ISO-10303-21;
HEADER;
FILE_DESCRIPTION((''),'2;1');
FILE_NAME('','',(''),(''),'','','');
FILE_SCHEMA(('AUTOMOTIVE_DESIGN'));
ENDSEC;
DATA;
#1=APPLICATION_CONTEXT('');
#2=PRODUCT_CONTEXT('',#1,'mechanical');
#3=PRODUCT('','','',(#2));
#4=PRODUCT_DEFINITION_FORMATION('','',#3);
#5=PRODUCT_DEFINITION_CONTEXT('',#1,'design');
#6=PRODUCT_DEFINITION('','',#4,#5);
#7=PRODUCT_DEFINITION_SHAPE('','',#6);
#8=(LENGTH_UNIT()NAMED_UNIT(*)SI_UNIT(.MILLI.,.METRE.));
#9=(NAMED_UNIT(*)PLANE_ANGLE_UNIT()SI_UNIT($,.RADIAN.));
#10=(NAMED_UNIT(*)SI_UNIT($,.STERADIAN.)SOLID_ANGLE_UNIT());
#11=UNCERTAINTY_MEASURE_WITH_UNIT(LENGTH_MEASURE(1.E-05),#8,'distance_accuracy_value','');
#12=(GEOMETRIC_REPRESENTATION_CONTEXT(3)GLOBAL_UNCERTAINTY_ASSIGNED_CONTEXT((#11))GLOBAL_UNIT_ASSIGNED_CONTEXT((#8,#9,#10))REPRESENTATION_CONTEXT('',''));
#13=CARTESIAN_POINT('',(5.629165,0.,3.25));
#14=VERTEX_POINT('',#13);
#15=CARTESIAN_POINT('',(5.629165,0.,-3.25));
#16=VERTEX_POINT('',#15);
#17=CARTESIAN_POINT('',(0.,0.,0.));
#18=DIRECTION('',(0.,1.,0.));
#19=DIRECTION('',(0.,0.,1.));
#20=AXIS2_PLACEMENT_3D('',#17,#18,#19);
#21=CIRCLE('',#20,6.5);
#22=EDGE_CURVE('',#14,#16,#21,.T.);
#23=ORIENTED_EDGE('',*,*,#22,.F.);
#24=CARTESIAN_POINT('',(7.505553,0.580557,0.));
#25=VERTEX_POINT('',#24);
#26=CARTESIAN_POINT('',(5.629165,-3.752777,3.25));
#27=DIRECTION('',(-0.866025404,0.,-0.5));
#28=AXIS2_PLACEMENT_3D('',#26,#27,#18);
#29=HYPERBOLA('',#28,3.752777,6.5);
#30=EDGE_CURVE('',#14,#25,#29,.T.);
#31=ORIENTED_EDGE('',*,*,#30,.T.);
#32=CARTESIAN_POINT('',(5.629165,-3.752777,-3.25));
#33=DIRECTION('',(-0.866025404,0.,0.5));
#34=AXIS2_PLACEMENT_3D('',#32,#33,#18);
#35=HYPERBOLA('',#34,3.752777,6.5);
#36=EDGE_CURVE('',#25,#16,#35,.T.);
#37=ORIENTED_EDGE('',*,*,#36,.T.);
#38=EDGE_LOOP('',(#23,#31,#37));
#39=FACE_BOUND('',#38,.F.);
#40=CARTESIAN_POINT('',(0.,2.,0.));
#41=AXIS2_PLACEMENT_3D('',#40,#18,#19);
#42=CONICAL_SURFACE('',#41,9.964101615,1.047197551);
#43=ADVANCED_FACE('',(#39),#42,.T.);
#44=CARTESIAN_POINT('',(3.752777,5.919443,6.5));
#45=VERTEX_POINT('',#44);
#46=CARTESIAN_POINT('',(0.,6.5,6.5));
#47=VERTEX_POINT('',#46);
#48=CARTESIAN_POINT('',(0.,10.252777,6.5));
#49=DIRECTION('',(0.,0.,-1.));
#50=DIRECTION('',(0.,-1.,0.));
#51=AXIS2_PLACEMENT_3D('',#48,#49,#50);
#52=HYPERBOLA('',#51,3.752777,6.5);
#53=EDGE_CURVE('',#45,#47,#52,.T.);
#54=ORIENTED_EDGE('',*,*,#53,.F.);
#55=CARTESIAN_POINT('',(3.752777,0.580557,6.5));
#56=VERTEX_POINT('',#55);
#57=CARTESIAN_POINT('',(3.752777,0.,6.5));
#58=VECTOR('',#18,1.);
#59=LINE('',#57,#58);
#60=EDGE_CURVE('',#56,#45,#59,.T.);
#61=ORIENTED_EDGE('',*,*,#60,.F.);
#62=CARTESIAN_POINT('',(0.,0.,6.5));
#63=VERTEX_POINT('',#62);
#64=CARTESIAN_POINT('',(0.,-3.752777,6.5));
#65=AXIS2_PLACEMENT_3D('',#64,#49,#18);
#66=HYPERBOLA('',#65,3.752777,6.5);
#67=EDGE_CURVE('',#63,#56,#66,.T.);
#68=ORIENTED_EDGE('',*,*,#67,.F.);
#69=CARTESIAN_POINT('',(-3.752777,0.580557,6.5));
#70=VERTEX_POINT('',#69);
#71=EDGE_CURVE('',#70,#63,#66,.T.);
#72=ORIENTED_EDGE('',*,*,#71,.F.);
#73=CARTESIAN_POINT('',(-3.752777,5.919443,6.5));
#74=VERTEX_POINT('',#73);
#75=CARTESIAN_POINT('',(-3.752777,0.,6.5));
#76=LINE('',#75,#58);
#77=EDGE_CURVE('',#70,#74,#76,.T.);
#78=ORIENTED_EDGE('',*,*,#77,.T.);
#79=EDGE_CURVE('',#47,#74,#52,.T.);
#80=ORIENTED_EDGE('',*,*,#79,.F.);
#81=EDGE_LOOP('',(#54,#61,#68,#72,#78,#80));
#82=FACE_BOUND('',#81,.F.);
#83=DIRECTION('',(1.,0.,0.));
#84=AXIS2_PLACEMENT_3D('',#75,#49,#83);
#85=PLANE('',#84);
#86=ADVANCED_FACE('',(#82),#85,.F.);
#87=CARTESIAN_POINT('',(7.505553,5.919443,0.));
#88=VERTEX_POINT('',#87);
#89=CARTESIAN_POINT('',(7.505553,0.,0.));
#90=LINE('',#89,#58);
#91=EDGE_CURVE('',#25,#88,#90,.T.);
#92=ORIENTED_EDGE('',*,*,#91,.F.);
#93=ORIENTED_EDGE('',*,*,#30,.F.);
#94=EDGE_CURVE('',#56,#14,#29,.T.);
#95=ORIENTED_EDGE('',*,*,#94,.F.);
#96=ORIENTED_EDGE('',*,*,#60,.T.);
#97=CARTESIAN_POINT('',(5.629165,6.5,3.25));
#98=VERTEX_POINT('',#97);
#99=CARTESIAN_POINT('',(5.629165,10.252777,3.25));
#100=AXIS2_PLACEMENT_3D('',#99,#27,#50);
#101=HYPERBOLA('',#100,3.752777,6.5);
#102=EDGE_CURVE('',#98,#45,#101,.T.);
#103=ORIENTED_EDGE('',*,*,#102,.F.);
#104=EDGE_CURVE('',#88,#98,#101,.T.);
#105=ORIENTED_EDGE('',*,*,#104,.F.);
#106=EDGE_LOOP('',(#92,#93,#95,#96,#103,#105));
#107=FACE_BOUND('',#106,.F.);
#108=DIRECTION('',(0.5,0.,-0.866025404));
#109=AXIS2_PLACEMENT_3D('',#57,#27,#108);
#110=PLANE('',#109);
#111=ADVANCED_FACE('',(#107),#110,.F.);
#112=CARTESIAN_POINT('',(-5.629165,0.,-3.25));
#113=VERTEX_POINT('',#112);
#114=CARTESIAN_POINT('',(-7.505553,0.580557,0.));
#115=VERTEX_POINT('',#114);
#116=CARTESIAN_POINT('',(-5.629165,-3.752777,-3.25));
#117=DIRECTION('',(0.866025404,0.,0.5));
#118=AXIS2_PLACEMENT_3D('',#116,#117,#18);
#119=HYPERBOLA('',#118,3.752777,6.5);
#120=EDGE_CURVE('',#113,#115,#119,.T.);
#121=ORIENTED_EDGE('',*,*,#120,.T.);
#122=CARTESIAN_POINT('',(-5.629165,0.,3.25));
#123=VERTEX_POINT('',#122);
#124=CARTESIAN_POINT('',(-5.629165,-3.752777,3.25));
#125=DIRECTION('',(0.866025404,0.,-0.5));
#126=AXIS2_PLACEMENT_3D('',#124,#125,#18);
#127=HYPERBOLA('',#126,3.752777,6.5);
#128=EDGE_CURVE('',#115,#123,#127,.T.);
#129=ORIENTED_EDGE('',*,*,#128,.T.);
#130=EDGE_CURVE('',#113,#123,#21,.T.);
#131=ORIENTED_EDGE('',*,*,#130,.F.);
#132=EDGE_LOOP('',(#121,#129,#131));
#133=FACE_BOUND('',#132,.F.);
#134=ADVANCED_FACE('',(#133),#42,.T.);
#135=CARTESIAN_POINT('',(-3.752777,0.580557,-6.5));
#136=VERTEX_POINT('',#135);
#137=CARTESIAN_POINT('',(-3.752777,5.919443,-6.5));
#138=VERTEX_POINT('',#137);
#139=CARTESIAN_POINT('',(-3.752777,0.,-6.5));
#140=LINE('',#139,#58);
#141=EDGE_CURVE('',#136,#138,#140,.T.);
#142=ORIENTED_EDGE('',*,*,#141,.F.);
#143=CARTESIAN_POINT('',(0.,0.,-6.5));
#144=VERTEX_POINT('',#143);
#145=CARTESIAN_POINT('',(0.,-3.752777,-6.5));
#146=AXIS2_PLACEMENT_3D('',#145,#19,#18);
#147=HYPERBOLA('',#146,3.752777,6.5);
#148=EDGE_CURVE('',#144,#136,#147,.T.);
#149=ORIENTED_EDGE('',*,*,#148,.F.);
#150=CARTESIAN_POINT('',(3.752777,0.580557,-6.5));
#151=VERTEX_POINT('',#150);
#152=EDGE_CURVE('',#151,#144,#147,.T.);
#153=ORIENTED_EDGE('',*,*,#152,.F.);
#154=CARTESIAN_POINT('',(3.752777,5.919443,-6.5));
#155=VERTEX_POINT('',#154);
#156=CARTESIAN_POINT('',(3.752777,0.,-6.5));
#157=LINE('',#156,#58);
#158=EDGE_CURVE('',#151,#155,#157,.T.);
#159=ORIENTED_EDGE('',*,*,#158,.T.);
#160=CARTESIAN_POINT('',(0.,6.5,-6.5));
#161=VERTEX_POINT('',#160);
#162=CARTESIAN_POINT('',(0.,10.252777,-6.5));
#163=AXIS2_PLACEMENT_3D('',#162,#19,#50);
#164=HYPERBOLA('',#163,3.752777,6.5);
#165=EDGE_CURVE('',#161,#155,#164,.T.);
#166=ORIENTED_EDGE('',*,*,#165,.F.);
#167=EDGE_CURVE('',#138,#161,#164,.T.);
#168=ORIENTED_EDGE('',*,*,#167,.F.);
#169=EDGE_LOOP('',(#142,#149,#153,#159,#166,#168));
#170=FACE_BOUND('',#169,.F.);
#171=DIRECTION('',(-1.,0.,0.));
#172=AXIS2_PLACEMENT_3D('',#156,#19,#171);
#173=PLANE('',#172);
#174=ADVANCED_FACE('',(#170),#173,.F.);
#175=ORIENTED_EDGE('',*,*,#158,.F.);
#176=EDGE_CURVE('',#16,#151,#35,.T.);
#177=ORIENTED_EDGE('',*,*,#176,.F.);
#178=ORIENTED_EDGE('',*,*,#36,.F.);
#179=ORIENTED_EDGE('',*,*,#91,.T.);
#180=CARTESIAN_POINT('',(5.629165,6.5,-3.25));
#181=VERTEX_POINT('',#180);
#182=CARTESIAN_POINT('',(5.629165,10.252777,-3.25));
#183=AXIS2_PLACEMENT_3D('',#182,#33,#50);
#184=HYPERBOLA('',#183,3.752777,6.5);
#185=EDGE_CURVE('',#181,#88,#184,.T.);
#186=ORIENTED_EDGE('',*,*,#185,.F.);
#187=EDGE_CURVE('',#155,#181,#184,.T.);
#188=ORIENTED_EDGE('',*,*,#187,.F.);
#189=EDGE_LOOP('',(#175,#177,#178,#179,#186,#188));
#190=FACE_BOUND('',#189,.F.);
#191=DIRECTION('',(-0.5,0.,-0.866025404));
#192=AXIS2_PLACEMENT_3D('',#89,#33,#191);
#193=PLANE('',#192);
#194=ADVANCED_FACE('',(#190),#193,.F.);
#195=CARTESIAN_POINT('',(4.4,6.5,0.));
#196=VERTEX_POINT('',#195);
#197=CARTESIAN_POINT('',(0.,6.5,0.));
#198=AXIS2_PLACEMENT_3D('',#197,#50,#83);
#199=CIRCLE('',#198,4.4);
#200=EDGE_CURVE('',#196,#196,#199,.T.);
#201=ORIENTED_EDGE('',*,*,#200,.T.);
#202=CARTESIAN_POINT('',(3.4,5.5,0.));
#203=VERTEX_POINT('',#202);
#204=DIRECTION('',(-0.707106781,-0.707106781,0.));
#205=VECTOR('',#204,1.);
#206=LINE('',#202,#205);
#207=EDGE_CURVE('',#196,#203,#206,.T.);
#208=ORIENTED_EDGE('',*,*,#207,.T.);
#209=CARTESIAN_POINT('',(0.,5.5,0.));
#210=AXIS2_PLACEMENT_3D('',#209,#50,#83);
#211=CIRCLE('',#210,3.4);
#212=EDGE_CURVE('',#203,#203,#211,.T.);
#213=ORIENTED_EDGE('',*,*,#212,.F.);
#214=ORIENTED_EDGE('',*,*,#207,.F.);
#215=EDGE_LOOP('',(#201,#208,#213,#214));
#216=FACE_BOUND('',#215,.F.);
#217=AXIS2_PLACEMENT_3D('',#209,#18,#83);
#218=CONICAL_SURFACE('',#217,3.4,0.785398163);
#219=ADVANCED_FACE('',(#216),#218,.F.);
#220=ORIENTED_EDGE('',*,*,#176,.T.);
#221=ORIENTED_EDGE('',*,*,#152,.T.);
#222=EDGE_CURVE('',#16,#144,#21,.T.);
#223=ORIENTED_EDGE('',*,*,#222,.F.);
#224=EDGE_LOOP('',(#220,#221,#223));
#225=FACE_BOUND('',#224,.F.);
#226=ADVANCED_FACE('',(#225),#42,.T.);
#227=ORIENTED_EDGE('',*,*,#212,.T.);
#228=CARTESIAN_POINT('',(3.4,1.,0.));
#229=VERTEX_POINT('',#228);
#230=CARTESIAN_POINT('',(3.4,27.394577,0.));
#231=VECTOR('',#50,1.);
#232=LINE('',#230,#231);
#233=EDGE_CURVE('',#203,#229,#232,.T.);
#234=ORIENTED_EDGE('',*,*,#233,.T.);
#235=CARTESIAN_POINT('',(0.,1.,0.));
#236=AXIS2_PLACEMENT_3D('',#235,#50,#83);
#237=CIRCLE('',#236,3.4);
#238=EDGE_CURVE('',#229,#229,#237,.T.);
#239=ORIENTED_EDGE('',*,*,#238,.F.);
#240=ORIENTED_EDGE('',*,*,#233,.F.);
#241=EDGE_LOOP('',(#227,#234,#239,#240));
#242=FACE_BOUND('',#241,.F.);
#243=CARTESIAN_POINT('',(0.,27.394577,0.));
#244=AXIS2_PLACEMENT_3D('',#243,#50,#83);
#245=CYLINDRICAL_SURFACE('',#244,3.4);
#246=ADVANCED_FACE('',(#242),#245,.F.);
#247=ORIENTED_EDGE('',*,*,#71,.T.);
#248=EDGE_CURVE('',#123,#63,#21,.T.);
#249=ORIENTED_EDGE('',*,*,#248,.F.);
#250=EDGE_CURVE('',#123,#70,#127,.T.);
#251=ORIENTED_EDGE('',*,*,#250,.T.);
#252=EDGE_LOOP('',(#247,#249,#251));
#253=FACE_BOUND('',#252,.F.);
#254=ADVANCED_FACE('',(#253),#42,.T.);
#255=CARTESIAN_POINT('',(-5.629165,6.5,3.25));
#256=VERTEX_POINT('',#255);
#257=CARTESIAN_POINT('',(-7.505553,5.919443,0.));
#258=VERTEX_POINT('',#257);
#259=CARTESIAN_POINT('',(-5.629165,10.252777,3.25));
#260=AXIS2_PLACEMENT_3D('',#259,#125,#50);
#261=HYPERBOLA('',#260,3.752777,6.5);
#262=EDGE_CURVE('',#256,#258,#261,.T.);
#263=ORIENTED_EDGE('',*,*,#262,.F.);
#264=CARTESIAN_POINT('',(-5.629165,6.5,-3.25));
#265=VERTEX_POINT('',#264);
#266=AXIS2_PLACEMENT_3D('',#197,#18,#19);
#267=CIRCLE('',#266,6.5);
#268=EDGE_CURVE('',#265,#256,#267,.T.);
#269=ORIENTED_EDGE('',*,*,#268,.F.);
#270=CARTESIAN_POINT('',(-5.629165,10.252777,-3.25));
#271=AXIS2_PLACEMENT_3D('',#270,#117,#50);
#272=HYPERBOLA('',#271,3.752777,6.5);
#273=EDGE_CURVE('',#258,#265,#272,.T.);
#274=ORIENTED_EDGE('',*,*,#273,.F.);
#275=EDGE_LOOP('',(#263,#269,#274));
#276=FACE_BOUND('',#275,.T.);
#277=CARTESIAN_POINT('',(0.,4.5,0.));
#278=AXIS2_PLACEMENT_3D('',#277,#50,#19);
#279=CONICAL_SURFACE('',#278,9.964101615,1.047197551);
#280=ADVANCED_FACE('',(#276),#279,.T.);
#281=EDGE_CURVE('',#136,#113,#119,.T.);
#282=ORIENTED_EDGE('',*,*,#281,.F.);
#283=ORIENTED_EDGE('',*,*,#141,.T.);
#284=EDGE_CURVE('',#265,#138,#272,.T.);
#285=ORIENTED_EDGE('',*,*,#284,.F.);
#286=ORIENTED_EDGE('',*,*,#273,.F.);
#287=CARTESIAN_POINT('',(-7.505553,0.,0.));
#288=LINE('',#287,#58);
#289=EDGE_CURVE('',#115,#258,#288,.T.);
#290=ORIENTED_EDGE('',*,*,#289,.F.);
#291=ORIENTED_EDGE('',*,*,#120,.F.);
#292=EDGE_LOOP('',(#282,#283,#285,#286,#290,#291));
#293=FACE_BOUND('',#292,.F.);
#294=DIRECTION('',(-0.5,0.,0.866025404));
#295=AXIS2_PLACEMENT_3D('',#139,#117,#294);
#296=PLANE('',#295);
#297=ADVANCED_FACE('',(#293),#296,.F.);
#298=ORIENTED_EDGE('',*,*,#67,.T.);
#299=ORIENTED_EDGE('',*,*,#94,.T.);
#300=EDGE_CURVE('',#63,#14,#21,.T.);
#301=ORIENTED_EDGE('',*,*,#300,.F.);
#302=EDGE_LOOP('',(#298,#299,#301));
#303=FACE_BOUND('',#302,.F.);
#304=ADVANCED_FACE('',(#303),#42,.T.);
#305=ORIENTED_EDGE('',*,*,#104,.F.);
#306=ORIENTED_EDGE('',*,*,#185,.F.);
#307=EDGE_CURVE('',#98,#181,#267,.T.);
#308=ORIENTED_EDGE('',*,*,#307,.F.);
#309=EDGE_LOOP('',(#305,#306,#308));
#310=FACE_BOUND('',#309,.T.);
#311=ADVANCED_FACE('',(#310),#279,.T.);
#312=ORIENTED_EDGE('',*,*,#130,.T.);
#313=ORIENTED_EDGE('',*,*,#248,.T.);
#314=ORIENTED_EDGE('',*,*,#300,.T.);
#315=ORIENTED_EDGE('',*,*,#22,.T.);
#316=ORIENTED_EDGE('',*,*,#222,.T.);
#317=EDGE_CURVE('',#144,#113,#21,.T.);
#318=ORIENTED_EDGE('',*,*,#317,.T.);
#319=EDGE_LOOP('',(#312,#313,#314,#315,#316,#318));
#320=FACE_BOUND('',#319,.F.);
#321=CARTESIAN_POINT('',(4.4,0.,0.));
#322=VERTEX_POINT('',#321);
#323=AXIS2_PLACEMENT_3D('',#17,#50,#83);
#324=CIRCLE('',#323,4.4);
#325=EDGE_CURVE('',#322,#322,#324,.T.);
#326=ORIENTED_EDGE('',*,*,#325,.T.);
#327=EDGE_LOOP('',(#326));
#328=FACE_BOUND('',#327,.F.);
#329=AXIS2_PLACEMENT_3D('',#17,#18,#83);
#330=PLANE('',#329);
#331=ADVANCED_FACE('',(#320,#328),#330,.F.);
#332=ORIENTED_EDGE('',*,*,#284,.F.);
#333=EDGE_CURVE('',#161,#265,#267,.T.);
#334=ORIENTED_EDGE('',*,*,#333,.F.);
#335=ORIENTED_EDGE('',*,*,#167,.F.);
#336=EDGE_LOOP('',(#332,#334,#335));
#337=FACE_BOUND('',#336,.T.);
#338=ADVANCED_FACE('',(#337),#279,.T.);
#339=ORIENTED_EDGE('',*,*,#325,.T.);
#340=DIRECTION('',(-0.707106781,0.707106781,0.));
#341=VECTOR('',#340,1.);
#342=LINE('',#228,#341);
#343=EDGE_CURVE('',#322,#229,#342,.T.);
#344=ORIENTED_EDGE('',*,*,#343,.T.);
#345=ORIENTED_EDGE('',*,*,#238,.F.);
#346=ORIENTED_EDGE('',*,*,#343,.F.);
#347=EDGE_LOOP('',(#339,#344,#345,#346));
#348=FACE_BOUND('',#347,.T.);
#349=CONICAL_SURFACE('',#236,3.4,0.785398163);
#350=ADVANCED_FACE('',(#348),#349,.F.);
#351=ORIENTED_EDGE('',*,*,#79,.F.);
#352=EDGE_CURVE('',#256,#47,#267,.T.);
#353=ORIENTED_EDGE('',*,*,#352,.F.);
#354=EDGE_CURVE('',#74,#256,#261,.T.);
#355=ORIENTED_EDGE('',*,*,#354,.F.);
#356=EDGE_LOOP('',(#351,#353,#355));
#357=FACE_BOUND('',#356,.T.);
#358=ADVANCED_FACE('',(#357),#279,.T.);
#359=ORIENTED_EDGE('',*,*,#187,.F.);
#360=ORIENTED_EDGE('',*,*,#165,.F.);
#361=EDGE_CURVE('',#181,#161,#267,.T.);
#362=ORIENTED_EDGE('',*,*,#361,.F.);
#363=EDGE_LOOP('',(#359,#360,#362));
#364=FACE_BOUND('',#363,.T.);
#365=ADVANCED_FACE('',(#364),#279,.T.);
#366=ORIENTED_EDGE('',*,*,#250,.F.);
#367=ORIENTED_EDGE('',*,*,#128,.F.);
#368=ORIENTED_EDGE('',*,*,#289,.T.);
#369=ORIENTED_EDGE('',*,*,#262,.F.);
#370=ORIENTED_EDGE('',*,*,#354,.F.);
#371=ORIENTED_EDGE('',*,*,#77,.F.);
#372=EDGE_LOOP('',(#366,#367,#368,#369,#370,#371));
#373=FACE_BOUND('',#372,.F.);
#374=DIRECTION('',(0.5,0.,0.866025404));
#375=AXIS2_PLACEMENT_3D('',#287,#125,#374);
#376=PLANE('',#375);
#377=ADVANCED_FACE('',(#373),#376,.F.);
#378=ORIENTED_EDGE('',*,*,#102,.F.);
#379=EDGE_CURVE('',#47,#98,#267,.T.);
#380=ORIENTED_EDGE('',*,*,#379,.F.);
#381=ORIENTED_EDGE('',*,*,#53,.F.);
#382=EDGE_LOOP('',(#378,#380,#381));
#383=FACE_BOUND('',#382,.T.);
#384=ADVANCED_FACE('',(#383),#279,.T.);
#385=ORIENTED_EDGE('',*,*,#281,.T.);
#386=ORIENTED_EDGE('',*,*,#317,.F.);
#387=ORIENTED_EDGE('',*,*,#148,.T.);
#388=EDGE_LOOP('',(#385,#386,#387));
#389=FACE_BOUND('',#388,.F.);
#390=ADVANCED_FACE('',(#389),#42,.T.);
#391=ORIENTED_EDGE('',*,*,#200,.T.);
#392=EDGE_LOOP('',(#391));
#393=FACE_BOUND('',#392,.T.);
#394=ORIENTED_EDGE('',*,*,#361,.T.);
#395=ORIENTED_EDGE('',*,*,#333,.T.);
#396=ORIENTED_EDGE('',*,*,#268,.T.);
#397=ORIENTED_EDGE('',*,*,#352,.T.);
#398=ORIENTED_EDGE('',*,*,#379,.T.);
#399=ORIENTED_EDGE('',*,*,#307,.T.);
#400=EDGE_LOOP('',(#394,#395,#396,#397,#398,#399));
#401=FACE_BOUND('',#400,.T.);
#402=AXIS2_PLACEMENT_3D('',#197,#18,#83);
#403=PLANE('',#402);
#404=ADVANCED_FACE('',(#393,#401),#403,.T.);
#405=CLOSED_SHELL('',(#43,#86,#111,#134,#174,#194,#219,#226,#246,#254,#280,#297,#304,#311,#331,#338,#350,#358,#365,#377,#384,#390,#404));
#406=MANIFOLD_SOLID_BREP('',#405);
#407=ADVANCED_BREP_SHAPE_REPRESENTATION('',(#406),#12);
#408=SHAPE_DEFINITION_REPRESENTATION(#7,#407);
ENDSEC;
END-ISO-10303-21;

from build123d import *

# Parameters (mm, degrees)
BOSS_EXTRUDE1_DEPTH = 6.5
M8_TAPPED_HOLE1_D   = 6.8
CHAMFER1_SIZE       = 1


with BuildPart() as part:
    # Sketch1 → Boss-Extrude1 (new body)
    with BuildSketch(Plane(origin=(0, 0, 0), x_dir=(1, 0, 0), z_dir=(0, 1, 0))):
        Polygon((3.75277675, 6.5), (-3.75277675, 6.5), (-7.505553499, 0), (-3.75277675, -6.5), (3.75277675, -6.5), (7.505553499, 0), align=None)
    extrude(amount=BOSS_EXTRUDE1_DEPTH)

    # Sketch2 → Cut-Revolve1 (revolve, cut)
    with BuildSketch(Plane(origin=(0, 0, 0), x_dir=(0, 0, -1), z_dir=(1, 0, 0))):
        Polygon((-9.964101615, 6.5), (-9.964101615, 4.5), (-6.5, 6.5), align=None)
        Polygon((-9.964101615, 2), (-6.5, 0), (-9.964101615, 0), align=None)
    revolve(axis=Axis((0, 0, 0), (0, 1, 0)), mode=Mode.SUBTRACT)

    # M8 Tapped Hole1 (through all)
    with Locations(Plane(origin=(0, 6.5, 0), x_dir=(-1, 0, 0), z_dir=(0, 1, 0))):
        with Locations((0, 0)):
            Hole(M8_TAPPED_HOLE1_D / 2)

    # Chamfer1
    chamfer1_edges = [part.edges().sort_by_distance(p)[0] for p in [
        (-3.4, 6.5, 0),
        (-3.4, 0, 0),
    ]]
    chamfer(chamfer1_edges, length=CHAMFER1_SIZE)


solid = part.part
